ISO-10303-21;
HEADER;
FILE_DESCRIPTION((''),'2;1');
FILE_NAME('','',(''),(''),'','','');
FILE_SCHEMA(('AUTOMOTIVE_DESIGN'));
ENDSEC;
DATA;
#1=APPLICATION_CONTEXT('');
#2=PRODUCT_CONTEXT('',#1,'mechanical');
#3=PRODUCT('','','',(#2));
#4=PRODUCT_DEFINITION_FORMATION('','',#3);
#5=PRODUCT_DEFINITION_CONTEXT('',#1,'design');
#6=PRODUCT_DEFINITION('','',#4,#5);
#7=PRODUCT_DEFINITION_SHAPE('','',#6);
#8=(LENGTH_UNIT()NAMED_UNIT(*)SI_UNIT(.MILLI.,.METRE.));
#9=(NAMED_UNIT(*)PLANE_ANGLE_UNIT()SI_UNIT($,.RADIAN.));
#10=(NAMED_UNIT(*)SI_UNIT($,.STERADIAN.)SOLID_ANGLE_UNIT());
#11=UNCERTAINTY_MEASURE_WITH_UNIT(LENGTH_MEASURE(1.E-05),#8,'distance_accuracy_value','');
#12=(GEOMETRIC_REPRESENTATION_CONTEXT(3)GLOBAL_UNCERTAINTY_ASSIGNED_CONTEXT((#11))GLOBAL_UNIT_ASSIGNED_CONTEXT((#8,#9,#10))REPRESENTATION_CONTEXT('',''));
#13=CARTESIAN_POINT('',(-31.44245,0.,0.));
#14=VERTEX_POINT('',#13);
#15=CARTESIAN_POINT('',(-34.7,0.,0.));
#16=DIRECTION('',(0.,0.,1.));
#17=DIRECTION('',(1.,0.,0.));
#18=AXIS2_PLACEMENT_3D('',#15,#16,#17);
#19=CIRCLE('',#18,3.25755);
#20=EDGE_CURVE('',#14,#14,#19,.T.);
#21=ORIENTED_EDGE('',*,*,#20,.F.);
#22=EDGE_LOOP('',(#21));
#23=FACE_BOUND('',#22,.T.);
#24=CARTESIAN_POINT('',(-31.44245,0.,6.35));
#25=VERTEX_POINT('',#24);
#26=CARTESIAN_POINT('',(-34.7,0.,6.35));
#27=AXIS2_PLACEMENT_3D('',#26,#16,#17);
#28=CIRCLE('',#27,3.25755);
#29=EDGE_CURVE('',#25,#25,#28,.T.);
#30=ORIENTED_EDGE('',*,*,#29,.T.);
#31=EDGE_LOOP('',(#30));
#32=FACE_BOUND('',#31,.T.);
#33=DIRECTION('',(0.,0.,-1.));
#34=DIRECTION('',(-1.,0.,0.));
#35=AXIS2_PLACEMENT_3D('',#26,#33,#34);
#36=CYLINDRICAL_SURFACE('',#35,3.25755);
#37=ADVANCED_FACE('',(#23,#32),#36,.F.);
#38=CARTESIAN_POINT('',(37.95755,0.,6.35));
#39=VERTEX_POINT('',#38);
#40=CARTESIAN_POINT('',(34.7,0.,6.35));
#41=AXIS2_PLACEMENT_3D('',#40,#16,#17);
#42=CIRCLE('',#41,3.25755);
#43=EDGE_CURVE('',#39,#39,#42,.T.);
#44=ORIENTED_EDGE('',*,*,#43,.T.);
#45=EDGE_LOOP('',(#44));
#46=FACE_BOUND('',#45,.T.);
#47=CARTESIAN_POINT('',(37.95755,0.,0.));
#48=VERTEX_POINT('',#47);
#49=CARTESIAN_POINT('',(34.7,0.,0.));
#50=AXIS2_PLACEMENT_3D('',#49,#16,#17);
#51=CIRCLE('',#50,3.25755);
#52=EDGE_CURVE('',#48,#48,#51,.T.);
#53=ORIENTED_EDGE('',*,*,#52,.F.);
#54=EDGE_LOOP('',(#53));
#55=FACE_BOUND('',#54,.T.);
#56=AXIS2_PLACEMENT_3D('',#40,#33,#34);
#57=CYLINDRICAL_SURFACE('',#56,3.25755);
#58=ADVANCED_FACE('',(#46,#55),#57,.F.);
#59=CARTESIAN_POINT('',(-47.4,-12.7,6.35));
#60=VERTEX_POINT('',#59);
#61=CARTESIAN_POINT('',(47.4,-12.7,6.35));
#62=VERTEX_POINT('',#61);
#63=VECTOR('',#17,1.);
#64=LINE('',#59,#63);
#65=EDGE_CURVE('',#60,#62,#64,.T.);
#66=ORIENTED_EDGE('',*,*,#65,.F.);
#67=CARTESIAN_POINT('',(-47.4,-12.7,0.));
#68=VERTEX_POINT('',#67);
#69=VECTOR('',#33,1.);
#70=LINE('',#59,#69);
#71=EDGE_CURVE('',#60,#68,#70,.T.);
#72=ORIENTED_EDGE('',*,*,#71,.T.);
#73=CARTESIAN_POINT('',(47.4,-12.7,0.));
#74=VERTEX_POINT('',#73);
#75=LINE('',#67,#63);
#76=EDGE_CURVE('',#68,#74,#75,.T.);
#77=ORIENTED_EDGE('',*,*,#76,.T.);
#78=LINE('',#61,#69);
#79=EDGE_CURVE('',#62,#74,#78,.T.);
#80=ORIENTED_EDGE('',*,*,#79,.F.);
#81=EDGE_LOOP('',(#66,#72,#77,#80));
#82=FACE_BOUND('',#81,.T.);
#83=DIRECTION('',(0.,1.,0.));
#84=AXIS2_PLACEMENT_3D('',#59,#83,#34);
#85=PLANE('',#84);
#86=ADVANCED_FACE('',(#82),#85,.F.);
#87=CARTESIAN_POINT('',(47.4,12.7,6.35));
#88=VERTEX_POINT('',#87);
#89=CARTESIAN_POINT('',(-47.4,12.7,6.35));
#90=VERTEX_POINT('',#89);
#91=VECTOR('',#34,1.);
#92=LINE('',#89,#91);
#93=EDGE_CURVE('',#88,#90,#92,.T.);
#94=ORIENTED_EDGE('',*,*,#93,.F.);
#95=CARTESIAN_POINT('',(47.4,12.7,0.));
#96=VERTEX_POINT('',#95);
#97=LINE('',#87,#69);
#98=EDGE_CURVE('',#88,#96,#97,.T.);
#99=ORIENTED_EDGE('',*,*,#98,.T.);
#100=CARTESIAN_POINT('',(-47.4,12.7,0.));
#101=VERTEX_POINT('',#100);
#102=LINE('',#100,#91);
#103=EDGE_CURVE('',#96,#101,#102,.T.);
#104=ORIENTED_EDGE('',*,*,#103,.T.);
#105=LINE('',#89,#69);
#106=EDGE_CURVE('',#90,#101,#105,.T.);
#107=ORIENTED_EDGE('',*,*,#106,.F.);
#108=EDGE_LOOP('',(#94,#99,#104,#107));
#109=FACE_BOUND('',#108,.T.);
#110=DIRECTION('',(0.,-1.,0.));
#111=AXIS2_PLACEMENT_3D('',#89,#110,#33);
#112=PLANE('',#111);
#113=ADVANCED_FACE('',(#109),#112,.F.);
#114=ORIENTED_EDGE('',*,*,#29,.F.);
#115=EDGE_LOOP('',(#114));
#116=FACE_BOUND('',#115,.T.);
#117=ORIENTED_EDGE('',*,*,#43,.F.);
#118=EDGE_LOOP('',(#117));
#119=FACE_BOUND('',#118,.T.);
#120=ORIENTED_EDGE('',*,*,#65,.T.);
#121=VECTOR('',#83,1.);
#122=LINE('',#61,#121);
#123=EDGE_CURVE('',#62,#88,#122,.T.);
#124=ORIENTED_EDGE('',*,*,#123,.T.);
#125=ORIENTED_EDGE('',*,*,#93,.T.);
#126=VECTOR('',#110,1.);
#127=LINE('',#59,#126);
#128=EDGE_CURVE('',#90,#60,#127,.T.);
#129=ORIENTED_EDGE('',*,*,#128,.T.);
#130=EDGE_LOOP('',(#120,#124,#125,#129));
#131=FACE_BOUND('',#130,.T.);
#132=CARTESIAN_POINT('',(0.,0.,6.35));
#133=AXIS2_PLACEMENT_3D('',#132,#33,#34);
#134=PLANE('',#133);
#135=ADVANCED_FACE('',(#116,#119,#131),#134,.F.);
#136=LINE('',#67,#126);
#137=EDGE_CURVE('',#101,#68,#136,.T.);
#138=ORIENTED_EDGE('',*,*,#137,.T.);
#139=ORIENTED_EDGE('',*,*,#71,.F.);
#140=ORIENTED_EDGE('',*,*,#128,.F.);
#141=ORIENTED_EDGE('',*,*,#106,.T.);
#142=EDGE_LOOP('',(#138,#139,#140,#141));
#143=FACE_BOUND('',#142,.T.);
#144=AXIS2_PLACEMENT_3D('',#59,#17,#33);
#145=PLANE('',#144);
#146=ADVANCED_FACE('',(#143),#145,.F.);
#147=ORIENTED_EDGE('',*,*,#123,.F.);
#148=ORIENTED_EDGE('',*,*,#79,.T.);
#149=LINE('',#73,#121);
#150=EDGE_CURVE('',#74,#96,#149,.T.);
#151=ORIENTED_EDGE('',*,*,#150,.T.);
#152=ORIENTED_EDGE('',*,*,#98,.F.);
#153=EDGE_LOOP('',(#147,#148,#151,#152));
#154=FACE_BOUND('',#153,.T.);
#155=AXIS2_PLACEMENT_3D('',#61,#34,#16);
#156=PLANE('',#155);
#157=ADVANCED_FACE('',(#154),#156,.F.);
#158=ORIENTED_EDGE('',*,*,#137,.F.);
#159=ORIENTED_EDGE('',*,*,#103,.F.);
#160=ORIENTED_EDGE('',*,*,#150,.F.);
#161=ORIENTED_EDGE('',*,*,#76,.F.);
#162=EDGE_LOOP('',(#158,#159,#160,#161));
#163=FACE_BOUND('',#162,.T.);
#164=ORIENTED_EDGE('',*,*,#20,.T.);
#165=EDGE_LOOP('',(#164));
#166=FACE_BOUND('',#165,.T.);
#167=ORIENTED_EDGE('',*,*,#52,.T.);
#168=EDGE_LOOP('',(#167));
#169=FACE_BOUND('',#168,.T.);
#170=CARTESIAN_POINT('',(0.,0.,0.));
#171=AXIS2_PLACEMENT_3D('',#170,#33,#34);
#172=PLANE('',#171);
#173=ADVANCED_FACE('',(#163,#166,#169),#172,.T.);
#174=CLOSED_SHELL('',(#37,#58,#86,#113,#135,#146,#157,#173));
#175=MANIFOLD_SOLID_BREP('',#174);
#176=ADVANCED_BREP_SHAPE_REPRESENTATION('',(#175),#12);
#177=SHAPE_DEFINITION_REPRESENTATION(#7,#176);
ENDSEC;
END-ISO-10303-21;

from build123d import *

# Parameters (mm, degrees)
SKETCH1_W           = 94.8
SKETCH1_H           = 25.4
SKETCH1_R           = 3.25755
BOSS_EXTRUDE1_DEPTH = 6.35


with BuildPart() as part:
    # Sketch1 → Boss-Extrude1 (new body)
    with BuildSketch(Plane.XY):
        Rectangle(SKETCH1_W, SKETCH1_H)
        with Locations((34.7, 0)):
            Circle(SKETCH1_R, mode=Mode.SUBTRACT)
        with Locations((-34.7, 0)):
            Circle(SKETCH1_R, mode=Mode.SUBTRACT)
    extrude(amount=BOSS_EXTRUDE1_DEPTH)


solid = part.part
